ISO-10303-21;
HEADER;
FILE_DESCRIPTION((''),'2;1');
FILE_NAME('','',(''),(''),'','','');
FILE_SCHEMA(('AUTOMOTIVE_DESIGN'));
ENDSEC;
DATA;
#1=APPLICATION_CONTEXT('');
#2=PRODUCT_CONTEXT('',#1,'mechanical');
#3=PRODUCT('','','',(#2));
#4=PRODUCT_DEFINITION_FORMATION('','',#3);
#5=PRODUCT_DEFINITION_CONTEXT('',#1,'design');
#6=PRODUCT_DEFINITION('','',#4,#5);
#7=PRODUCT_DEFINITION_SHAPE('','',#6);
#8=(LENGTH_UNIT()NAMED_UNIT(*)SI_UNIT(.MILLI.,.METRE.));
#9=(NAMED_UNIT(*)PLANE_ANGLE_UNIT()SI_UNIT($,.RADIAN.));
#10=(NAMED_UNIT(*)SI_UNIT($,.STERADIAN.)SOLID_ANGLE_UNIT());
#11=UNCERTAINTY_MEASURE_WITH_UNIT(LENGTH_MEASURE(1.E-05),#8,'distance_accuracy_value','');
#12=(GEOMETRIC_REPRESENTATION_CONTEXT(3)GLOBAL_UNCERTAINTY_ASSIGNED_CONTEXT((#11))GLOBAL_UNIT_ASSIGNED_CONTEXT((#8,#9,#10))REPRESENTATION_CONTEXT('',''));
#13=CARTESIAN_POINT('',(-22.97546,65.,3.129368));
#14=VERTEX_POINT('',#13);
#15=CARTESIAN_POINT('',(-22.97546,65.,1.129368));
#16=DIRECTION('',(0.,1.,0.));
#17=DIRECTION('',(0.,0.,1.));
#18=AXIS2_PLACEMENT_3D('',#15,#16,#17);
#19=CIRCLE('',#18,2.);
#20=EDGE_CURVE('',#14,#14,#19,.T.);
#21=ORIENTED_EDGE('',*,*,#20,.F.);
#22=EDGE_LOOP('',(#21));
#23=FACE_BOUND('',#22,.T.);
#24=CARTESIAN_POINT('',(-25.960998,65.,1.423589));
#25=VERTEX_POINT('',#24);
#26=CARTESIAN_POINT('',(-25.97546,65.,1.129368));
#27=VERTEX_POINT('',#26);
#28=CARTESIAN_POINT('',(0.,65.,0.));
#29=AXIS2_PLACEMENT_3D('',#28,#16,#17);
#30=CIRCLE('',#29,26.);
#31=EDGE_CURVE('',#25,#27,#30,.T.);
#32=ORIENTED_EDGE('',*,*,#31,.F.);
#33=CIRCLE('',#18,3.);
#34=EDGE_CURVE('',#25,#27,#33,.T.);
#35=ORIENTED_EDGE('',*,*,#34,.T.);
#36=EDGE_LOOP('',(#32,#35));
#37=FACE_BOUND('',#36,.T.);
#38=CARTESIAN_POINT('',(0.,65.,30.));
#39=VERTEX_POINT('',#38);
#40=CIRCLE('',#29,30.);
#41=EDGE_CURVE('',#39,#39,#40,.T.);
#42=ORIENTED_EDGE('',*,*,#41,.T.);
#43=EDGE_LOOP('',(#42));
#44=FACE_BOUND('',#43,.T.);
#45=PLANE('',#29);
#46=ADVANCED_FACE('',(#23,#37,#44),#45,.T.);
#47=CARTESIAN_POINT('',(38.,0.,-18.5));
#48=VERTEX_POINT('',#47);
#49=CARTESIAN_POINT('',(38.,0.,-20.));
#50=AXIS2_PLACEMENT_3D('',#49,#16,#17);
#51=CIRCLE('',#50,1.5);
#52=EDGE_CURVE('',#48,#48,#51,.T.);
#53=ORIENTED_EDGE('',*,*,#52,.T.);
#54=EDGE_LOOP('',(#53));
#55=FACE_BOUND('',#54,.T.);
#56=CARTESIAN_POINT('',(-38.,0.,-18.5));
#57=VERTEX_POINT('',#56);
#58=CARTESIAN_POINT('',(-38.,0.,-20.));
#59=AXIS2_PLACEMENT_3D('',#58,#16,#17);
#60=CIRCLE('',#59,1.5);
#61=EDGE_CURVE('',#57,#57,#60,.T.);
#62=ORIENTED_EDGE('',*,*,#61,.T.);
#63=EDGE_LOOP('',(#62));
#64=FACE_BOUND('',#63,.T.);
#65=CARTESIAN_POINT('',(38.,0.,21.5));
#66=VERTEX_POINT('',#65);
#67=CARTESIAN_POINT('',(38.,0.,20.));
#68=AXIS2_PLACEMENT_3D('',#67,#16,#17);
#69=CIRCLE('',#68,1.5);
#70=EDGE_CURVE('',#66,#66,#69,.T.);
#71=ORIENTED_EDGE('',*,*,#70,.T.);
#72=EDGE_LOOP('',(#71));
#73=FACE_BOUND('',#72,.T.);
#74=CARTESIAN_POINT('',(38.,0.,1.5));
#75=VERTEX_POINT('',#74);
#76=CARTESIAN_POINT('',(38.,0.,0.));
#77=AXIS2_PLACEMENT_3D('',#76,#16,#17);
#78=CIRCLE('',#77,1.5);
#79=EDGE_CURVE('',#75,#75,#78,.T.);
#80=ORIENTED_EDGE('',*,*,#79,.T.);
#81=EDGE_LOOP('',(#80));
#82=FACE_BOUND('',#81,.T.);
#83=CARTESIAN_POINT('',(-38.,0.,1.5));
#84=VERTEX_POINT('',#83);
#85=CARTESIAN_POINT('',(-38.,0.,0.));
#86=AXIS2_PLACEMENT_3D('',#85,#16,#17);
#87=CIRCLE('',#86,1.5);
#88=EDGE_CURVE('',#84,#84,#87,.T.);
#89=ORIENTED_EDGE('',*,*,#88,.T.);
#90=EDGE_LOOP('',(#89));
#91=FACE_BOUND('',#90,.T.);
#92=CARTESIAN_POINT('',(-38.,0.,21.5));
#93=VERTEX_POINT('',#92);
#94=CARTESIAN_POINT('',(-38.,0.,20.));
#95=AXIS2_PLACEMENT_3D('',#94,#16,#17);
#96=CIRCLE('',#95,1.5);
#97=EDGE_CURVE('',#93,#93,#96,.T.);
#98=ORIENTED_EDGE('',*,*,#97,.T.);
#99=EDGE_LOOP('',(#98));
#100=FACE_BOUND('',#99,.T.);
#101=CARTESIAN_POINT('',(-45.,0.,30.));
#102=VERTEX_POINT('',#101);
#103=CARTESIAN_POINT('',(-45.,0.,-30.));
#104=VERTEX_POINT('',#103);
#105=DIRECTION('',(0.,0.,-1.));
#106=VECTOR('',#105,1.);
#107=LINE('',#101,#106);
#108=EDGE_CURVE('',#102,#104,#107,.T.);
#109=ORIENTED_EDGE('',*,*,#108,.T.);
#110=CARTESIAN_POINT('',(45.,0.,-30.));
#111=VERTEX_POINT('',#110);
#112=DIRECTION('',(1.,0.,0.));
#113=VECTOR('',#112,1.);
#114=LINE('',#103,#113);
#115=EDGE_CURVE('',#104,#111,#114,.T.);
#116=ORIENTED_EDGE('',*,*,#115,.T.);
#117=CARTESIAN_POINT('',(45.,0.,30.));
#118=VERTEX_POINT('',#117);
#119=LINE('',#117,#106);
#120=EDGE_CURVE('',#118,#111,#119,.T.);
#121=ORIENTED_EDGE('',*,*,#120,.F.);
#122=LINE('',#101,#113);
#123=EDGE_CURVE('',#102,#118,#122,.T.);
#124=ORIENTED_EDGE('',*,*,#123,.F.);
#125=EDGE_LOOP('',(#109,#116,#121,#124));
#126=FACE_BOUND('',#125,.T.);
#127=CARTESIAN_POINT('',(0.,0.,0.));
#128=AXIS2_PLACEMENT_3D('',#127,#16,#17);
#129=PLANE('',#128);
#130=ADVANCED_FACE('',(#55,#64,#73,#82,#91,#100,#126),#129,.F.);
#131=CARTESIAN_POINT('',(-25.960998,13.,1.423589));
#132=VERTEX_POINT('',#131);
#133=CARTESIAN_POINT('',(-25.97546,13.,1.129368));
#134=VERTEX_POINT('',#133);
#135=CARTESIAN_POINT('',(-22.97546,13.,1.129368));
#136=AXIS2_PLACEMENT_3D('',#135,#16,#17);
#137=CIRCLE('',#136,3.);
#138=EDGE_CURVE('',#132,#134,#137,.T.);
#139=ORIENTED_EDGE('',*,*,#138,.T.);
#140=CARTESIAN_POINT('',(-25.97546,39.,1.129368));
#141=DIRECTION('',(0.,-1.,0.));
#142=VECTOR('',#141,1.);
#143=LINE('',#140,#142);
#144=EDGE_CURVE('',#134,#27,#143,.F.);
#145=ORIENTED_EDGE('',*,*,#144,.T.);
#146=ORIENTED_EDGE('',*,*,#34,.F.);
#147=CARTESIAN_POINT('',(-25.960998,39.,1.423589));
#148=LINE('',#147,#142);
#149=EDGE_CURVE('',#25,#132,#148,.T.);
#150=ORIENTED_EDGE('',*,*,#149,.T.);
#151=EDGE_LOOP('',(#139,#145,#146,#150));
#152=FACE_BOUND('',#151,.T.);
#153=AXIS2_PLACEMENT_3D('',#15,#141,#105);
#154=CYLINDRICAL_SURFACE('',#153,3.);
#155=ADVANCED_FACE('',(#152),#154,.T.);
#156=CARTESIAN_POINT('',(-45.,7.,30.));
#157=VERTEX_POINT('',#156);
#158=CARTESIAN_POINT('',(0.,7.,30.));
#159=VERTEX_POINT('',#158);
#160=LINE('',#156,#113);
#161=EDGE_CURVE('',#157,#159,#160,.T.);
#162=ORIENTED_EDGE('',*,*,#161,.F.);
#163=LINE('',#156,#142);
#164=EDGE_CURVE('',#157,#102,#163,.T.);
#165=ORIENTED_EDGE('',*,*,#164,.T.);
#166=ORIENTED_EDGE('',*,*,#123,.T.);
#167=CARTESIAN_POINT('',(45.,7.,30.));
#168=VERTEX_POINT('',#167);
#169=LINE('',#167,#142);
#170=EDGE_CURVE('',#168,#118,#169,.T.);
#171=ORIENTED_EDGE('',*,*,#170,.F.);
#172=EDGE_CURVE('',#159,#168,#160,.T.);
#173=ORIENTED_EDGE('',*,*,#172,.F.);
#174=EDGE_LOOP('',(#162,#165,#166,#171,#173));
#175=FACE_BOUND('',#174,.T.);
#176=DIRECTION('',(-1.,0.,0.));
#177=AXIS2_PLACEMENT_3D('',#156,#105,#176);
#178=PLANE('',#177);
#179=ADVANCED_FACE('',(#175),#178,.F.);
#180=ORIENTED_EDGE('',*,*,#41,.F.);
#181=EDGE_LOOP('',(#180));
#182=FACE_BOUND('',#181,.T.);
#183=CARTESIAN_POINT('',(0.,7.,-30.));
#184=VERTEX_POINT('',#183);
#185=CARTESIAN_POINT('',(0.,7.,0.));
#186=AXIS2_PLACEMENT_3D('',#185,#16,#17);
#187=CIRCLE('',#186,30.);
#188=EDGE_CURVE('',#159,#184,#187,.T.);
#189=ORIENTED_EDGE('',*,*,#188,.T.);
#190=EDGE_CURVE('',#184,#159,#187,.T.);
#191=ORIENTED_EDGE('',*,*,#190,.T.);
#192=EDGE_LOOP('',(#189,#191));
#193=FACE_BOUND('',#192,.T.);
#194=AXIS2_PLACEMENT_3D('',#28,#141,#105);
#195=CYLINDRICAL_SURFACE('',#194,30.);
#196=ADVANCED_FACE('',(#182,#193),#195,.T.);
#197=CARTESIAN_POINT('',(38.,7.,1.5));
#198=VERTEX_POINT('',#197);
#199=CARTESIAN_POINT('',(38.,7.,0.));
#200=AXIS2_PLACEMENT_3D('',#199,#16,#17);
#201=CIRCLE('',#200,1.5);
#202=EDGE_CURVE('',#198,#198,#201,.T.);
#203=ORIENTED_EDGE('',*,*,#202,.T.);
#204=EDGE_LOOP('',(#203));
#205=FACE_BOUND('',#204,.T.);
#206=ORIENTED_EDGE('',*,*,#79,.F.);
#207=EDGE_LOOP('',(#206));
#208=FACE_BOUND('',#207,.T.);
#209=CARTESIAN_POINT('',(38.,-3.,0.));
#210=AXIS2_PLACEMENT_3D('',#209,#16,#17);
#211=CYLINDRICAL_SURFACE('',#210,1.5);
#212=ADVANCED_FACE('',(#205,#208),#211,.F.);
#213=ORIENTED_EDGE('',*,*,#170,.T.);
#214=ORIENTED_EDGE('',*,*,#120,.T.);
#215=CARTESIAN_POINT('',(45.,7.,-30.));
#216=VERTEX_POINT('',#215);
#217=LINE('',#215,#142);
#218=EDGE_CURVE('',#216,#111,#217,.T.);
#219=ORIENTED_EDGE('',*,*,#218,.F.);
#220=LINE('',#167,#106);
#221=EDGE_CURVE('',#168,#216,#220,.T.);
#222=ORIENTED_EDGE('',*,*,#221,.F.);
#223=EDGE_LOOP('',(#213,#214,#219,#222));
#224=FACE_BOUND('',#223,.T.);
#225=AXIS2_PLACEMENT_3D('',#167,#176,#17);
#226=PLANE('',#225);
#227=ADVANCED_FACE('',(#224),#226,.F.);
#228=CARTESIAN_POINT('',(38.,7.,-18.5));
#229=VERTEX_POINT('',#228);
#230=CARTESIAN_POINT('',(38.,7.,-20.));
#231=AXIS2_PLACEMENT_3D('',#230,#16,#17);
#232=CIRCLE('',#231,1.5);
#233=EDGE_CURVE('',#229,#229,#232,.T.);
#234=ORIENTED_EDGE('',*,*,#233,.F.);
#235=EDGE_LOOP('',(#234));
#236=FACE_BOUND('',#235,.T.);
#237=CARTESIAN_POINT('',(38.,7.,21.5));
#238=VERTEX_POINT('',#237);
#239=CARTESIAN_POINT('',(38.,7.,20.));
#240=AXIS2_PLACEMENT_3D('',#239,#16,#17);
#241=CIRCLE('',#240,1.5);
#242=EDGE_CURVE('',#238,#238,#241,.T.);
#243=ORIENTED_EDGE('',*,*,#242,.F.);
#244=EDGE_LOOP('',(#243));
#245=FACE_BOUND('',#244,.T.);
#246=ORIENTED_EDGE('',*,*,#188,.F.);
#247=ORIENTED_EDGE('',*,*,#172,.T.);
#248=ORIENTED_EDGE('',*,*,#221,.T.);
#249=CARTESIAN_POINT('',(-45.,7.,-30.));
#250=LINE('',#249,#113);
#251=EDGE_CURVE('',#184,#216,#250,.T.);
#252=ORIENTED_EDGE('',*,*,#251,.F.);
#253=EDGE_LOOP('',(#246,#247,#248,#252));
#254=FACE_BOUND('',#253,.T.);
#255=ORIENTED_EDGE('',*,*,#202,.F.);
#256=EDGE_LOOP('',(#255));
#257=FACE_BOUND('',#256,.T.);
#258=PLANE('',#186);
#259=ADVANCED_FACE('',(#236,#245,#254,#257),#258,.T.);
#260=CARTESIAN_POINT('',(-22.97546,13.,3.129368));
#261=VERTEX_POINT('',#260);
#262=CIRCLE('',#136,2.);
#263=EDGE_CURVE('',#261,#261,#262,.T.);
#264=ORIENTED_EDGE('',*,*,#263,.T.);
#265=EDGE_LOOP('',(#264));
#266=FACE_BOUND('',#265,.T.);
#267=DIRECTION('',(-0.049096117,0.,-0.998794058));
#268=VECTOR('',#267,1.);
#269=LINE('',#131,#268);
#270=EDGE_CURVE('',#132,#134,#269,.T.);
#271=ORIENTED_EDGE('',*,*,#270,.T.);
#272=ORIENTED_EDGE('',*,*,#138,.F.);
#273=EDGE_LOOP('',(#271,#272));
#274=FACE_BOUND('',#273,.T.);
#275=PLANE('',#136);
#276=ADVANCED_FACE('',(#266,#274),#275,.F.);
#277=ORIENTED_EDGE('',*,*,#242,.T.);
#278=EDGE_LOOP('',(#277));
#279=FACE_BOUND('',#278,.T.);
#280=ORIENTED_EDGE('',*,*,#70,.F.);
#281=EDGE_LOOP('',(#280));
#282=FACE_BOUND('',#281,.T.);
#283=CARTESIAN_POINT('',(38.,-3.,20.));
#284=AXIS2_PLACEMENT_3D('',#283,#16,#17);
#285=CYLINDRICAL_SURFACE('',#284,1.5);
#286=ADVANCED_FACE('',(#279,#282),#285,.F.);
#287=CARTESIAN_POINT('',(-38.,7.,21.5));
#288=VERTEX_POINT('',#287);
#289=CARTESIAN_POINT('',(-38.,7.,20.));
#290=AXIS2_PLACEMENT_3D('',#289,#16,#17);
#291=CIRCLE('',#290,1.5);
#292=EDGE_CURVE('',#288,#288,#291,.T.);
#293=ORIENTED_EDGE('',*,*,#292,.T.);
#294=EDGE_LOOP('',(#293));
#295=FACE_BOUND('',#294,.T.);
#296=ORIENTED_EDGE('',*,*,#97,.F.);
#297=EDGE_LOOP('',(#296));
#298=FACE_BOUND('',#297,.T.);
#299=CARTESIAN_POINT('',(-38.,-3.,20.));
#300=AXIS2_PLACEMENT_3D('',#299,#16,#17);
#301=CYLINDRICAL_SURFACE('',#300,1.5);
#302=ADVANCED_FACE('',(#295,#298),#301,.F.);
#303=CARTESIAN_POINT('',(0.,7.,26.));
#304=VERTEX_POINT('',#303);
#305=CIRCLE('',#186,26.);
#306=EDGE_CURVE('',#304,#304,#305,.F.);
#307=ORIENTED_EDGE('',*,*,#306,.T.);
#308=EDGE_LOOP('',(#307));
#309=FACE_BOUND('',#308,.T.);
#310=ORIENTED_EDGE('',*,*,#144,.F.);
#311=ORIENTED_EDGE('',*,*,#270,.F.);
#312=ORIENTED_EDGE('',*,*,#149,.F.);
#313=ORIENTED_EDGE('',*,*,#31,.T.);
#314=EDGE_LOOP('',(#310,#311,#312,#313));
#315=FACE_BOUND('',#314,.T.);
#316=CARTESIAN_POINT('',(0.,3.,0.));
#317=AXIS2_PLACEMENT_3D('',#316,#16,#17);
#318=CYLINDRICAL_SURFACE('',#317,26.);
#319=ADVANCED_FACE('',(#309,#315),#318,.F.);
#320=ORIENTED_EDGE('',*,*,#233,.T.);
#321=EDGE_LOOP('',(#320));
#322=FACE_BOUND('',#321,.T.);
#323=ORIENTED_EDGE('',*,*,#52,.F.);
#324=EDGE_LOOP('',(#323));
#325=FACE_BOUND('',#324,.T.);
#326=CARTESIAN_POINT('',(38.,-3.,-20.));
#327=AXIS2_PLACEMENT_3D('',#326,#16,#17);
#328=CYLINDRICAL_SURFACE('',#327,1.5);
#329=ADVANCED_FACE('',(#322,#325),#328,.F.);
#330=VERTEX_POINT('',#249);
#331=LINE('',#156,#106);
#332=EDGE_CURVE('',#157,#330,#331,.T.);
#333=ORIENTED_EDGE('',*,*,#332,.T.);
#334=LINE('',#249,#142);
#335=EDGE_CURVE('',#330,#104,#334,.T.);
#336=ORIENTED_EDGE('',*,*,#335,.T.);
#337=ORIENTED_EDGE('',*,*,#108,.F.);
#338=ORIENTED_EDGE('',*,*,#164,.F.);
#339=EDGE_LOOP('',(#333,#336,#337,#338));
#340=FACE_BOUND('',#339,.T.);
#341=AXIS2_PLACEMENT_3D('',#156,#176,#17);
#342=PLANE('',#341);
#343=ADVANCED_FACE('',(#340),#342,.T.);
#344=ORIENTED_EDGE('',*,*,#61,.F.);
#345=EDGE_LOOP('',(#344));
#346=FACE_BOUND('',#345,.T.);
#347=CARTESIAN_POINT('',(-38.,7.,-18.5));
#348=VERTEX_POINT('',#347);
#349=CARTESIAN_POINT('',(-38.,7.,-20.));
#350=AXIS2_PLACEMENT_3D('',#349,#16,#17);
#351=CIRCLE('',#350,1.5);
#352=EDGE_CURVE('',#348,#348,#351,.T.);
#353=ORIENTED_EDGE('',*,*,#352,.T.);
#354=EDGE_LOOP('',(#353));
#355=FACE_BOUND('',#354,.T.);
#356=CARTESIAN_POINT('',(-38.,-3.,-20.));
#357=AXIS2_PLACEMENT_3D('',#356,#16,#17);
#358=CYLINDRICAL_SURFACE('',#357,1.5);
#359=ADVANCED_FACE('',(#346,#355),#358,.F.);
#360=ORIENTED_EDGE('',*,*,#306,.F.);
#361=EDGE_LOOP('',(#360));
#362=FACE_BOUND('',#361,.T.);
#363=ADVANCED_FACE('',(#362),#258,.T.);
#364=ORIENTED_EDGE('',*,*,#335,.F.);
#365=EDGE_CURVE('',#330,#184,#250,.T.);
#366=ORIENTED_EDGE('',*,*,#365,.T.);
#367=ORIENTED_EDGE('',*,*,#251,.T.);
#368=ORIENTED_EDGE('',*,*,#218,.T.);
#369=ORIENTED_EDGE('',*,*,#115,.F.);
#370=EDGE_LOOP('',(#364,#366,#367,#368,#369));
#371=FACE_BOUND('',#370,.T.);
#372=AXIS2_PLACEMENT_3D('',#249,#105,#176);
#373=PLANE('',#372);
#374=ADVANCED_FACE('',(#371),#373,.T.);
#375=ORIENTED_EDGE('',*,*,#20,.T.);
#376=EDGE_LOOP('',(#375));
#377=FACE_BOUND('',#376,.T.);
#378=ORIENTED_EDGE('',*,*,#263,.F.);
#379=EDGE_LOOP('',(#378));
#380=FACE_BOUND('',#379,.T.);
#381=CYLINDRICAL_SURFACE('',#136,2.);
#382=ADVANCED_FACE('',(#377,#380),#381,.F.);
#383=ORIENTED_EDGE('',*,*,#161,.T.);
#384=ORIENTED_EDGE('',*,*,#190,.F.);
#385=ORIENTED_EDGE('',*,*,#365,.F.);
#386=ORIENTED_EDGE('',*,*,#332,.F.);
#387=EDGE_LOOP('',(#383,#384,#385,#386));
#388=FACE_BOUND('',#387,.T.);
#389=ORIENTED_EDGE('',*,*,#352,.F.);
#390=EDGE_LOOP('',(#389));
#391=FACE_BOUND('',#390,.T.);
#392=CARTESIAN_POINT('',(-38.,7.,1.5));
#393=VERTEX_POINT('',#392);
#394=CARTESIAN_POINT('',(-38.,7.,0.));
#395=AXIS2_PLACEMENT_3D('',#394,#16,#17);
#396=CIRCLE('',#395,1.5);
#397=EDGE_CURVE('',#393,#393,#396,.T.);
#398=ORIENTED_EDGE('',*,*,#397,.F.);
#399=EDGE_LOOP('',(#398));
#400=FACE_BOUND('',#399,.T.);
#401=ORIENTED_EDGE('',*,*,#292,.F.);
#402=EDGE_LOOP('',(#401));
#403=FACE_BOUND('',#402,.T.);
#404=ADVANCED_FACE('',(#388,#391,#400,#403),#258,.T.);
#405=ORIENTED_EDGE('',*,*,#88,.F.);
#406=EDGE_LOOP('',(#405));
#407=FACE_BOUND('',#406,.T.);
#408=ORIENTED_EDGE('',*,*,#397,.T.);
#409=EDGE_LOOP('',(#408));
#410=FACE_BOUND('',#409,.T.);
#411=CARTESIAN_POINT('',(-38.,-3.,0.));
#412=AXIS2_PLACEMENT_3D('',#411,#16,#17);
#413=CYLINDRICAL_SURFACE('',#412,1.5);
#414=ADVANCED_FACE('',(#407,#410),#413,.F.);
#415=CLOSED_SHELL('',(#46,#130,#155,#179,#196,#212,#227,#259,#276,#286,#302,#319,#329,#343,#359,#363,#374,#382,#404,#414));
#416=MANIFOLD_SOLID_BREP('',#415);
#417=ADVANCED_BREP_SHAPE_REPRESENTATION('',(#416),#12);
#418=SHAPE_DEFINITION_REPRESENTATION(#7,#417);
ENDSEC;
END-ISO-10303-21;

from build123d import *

# Parameters (mm, degrees)
IZIM1_R                     = 30
Y_KSEKLIK_EKSTR_ZYON1_DEPTH = 65
IZIM2_R                     = 26
KES_EKSTR_ZYON1_DEPTH       = 62
Y_KSEKLIK_EKSTR_ZYON4_START = 10
IZIM3_R                     = 3
Y_KSEKLIK_EKSTR_ZYON4_DEPTH = 52
IZIM4_R                     = 2
KES_EKSTR_ZYON2_DEPTH       = 52
IZIM5_W                     = 90
IZIM5_H                     = 60
Y_KSEKLIK_EKSTR_ZYON5_DEPTH = 7
IZIM6_R                     = 1.5
KES_EKSTR_ZYON3_DEPTH       = 10
IZIM7_R                     = 1.5
KES_EKSTR_ZYON4_DEPTH       = 10


with BuildPart() as part:
    # Çizim1 → Yükseklik-Ekstrüzyon1 (new body)
    with BuildSketch(Plane(origin=(0, 0, 0), x_dir=(1, 0, 0), z_dir=(0, 1, 0))):
        Circle(IZIM1_R)
    extrude(amount=Y_KSEKLIK_EKSTR_ZYON1_DEPTH)

    # Çizim2 → Kes-Ekstrüzyon1 (cut)
    with BuildSketch(Plane(origin=(0, 65, 0), x_dir=(1, 0, 0), z_dir=(0, 1, 0))):
        Circle(IZIM2_R)
    extrude(amount=-KES_EKSTR_ZYON1_DEPTH, mode=Mode.SUBTRACT)

    # Çizim3 → Yükseklik-Ekstrüzyon4 (add)
    with BuildSketch(Plane(origin=(0, 3, 0), x_dir=(1, 0, 0), z_dir=(0, 1, 0)).offset(Y_KSEKLIK_EKSTR_ZYON4_START)):
        with Locations((-22.975460117, -1.129367831)):
            Circle(IZIM3_R)
    extrude(amount=Y_KSEKLIK_EKSTR_ZYON4_DEPTH)

    # Çizim4 → Kes-Ekstrüzyon2 (cut)
    with BuildSketch(Plane(origin=(0, 65, 0), x_dir=(1, 0, 0), z_dir=(0, 1, 0))):
        with Locations((-22.975460117, -1.129367831)):
            Circle(IZIM4_R)
    extrude(amount=-KES_EKSTR_ZYON2_DEPTH, mode=Mode.SUBTRACT)

    # Çizim5 → Yükseklik-Ekstrüzyon5 (add)
    with BuildSketch(Plane.XZ):
        Rectangle(IZIM5_W, IZIM5_H)
    extrude(amount=-Y_KSEKLIK_EKSTR_ZYON5_DEPTH)

    # Çizim6 → Kes-Ekstrüzyon3 (cut)
    with BuildSketch(Plane(origin=(0, 7, 0), x_dir=(1, 0, 0), z_dir=(0, 1, 0))):
        with Locations((38, 0)):
            Circle(IZIM6_R)
        with Locations((-38, 0)):
            Circle(IZIM6_R)
    extrude(amount=-KES_EKSTR_ZYON3_DEPTH, mode=Mode.SUBTRACT)

    # Çizim7 → Kes-Ekstrüzyon4 (cut)
    with BuildSketch(Plane(origin=(0, 7, 0), x_dir=(1, 0, 0), z_dir=(0, 1, 0))):
        with Locations((-38, 20)):
            Circle(IZIM7_R)
        with Locations((-38, -20)):
            Circle(IZIM7_R)
        with Locations((38, -20)):
            Circle(IZIM7_R)
        with Locations((38, 20)):
            Circle(IZIM7_R)
    extrude(amount=-KES_EKSTR_ZYON4_DEPTH, mode=Mode.SUBTRACT)


solid = part.part
